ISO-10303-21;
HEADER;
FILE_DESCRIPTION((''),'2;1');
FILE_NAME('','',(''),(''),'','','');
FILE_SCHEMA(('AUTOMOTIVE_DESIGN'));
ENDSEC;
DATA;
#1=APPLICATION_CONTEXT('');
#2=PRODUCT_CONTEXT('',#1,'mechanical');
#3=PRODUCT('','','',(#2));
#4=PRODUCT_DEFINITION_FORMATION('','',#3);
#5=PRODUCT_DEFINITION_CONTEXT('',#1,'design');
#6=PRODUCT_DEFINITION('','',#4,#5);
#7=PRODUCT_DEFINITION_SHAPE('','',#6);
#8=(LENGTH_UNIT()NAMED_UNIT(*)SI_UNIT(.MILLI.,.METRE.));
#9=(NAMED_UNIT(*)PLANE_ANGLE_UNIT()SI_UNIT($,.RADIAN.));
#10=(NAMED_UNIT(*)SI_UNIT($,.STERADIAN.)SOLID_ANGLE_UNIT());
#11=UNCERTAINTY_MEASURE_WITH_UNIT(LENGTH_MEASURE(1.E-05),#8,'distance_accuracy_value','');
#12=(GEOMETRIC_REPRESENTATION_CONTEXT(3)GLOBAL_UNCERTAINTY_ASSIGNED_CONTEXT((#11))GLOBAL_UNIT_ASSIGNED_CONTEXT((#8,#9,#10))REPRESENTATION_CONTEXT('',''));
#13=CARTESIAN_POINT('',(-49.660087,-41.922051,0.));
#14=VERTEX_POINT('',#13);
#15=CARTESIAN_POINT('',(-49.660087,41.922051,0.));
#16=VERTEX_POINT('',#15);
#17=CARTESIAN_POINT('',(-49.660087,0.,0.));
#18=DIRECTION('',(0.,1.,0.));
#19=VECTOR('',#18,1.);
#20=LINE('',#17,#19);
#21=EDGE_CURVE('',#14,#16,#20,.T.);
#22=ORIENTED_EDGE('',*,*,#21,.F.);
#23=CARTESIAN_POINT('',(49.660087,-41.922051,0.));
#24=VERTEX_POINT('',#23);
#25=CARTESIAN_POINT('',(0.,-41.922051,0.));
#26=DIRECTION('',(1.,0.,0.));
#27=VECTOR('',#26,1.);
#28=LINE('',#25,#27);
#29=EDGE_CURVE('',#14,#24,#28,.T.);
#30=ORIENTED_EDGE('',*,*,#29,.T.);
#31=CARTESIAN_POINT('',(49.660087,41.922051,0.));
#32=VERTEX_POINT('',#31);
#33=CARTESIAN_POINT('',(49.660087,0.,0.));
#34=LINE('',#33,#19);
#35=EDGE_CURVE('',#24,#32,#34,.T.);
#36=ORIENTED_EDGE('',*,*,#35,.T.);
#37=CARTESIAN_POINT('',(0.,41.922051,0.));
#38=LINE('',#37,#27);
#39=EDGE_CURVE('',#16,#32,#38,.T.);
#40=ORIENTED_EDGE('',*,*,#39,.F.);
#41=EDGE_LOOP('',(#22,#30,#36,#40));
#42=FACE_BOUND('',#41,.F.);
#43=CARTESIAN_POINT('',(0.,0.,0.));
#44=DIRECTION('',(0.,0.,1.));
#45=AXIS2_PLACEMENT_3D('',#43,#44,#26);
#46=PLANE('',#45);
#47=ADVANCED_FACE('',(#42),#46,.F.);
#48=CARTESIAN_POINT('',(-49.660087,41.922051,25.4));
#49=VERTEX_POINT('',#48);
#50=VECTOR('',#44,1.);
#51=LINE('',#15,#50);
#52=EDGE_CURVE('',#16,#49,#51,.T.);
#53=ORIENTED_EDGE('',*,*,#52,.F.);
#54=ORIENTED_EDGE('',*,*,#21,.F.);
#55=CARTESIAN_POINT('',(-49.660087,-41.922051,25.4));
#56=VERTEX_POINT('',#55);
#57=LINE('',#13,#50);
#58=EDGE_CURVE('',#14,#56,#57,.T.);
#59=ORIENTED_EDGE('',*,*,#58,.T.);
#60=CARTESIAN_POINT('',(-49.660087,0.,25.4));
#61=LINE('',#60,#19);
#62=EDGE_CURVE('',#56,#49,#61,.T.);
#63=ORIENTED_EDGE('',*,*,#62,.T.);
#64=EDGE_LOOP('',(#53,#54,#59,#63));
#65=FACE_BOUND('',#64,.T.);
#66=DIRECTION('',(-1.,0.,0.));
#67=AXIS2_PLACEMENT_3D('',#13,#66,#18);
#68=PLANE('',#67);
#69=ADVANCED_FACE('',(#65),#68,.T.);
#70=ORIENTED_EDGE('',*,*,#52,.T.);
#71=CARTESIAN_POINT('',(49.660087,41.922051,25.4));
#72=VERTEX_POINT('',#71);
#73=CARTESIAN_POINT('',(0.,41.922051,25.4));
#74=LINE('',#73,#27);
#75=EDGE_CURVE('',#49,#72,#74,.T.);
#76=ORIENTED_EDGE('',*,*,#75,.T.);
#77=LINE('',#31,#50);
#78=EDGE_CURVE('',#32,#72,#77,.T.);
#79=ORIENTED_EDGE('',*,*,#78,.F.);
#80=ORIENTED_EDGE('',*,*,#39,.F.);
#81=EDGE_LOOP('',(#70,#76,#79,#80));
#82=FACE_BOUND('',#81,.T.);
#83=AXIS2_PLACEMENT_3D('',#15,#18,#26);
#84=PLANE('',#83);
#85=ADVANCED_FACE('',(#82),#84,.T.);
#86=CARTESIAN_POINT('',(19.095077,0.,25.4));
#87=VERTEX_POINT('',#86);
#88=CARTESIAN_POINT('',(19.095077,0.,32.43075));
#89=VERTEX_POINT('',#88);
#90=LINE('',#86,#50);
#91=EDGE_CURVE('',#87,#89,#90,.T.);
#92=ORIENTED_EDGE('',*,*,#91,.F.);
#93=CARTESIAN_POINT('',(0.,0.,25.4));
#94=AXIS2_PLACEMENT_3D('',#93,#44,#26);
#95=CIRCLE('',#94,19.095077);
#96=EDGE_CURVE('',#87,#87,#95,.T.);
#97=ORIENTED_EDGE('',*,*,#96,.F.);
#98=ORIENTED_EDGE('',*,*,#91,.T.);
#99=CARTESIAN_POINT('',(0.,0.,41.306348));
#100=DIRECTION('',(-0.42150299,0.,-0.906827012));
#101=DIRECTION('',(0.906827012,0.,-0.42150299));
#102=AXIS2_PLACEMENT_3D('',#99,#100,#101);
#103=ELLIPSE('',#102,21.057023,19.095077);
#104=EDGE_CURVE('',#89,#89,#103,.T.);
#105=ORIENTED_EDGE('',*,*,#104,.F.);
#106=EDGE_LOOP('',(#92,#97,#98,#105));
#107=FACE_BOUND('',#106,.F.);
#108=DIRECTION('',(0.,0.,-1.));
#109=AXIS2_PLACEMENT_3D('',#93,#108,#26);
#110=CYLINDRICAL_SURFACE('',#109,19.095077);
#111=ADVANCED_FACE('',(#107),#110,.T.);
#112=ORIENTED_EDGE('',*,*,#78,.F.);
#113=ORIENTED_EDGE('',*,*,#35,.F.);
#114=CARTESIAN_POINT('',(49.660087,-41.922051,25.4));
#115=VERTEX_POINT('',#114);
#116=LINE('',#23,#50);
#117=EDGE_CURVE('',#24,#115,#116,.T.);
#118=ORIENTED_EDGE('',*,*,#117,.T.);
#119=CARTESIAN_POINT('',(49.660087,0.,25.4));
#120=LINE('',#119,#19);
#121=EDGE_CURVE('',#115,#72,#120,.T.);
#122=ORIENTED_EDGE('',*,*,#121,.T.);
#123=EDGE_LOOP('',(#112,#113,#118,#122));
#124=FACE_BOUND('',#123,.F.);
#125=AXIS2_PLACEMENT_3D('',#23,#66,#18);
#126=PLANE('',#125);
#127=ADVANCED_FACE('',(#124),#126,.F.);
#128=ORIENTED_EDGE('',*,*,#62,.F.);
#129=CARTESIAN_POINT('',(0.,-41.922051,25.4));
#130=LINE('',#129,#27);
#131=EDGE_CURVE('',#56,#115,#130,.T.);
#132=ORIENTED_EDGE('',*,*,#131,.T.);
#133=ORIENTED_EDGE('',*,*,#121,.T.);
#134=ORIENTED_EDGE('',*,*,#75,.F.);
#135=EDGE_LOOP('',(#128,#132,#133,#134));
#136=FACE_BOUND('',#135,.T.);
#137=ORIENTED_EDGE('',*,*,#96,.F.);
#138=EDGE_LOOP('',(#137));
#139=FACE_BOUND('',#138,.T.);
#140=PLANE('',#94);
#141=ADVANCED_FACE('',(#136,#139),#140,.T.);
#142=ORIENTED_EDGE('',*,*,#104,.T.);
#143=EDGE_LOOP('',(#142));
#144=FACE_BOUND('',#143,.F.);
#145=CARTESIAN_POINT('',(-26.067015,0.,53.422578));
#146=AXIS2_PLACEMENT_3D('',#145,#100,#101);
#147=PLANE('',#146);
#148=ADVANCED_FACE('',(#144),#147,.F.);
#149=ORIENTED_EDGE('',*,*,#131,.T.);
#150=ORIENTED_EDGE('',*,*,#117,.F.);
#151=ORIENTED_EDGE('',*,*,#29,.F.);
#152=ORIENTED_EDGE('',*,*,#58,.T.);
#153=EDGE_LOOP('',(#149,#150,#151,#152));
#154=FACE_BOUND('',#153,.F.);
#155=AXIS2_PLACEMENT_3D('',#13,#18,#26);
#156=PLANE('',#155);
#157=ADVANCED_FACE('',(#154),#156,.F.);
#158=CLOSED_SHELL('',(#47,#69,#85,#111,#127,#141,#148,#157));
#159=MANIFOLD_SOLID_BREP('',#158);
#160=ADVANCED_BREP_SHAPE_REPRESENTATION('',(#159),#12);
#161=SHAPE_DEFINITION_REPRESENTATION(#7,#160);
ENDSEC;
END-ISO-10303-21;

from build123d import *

# Parameters (mm, degrees)
F0_W     = 99.320174
F0_H     = 83.844102
F1_DEPTH = 25.4
F2_R     = 19.095077
F3_DEPTH = 25.4
F5_DEPTH = 44.35832


with BuildPart() as f1:
    # F0 (on Top) → F1 (new body)
    with BuildSketch(Plane.XY):
        Rectangle(F0_W, F0_H)
    extrude(amount=F1_DEPTH)

    # F2 (on face) → F3 (join)
    with BuildSketch(Plane.XY.offset(25.4)):
        Circle(F2_R)
    extrude(amount=F3_DEPTH)

    # F4 (on Front) → F5 (cut, symmetric)
    with BuildSketch(Plane.XZ):
        Polygon((21.894151, 53.422578), (-26.067015, 53.422578), (21.894151, 31.12971), align=None)
    extrude(amount=F5_DEPTH, both=True, mode=Mode.SUBTRACT)


solid = f1.part
